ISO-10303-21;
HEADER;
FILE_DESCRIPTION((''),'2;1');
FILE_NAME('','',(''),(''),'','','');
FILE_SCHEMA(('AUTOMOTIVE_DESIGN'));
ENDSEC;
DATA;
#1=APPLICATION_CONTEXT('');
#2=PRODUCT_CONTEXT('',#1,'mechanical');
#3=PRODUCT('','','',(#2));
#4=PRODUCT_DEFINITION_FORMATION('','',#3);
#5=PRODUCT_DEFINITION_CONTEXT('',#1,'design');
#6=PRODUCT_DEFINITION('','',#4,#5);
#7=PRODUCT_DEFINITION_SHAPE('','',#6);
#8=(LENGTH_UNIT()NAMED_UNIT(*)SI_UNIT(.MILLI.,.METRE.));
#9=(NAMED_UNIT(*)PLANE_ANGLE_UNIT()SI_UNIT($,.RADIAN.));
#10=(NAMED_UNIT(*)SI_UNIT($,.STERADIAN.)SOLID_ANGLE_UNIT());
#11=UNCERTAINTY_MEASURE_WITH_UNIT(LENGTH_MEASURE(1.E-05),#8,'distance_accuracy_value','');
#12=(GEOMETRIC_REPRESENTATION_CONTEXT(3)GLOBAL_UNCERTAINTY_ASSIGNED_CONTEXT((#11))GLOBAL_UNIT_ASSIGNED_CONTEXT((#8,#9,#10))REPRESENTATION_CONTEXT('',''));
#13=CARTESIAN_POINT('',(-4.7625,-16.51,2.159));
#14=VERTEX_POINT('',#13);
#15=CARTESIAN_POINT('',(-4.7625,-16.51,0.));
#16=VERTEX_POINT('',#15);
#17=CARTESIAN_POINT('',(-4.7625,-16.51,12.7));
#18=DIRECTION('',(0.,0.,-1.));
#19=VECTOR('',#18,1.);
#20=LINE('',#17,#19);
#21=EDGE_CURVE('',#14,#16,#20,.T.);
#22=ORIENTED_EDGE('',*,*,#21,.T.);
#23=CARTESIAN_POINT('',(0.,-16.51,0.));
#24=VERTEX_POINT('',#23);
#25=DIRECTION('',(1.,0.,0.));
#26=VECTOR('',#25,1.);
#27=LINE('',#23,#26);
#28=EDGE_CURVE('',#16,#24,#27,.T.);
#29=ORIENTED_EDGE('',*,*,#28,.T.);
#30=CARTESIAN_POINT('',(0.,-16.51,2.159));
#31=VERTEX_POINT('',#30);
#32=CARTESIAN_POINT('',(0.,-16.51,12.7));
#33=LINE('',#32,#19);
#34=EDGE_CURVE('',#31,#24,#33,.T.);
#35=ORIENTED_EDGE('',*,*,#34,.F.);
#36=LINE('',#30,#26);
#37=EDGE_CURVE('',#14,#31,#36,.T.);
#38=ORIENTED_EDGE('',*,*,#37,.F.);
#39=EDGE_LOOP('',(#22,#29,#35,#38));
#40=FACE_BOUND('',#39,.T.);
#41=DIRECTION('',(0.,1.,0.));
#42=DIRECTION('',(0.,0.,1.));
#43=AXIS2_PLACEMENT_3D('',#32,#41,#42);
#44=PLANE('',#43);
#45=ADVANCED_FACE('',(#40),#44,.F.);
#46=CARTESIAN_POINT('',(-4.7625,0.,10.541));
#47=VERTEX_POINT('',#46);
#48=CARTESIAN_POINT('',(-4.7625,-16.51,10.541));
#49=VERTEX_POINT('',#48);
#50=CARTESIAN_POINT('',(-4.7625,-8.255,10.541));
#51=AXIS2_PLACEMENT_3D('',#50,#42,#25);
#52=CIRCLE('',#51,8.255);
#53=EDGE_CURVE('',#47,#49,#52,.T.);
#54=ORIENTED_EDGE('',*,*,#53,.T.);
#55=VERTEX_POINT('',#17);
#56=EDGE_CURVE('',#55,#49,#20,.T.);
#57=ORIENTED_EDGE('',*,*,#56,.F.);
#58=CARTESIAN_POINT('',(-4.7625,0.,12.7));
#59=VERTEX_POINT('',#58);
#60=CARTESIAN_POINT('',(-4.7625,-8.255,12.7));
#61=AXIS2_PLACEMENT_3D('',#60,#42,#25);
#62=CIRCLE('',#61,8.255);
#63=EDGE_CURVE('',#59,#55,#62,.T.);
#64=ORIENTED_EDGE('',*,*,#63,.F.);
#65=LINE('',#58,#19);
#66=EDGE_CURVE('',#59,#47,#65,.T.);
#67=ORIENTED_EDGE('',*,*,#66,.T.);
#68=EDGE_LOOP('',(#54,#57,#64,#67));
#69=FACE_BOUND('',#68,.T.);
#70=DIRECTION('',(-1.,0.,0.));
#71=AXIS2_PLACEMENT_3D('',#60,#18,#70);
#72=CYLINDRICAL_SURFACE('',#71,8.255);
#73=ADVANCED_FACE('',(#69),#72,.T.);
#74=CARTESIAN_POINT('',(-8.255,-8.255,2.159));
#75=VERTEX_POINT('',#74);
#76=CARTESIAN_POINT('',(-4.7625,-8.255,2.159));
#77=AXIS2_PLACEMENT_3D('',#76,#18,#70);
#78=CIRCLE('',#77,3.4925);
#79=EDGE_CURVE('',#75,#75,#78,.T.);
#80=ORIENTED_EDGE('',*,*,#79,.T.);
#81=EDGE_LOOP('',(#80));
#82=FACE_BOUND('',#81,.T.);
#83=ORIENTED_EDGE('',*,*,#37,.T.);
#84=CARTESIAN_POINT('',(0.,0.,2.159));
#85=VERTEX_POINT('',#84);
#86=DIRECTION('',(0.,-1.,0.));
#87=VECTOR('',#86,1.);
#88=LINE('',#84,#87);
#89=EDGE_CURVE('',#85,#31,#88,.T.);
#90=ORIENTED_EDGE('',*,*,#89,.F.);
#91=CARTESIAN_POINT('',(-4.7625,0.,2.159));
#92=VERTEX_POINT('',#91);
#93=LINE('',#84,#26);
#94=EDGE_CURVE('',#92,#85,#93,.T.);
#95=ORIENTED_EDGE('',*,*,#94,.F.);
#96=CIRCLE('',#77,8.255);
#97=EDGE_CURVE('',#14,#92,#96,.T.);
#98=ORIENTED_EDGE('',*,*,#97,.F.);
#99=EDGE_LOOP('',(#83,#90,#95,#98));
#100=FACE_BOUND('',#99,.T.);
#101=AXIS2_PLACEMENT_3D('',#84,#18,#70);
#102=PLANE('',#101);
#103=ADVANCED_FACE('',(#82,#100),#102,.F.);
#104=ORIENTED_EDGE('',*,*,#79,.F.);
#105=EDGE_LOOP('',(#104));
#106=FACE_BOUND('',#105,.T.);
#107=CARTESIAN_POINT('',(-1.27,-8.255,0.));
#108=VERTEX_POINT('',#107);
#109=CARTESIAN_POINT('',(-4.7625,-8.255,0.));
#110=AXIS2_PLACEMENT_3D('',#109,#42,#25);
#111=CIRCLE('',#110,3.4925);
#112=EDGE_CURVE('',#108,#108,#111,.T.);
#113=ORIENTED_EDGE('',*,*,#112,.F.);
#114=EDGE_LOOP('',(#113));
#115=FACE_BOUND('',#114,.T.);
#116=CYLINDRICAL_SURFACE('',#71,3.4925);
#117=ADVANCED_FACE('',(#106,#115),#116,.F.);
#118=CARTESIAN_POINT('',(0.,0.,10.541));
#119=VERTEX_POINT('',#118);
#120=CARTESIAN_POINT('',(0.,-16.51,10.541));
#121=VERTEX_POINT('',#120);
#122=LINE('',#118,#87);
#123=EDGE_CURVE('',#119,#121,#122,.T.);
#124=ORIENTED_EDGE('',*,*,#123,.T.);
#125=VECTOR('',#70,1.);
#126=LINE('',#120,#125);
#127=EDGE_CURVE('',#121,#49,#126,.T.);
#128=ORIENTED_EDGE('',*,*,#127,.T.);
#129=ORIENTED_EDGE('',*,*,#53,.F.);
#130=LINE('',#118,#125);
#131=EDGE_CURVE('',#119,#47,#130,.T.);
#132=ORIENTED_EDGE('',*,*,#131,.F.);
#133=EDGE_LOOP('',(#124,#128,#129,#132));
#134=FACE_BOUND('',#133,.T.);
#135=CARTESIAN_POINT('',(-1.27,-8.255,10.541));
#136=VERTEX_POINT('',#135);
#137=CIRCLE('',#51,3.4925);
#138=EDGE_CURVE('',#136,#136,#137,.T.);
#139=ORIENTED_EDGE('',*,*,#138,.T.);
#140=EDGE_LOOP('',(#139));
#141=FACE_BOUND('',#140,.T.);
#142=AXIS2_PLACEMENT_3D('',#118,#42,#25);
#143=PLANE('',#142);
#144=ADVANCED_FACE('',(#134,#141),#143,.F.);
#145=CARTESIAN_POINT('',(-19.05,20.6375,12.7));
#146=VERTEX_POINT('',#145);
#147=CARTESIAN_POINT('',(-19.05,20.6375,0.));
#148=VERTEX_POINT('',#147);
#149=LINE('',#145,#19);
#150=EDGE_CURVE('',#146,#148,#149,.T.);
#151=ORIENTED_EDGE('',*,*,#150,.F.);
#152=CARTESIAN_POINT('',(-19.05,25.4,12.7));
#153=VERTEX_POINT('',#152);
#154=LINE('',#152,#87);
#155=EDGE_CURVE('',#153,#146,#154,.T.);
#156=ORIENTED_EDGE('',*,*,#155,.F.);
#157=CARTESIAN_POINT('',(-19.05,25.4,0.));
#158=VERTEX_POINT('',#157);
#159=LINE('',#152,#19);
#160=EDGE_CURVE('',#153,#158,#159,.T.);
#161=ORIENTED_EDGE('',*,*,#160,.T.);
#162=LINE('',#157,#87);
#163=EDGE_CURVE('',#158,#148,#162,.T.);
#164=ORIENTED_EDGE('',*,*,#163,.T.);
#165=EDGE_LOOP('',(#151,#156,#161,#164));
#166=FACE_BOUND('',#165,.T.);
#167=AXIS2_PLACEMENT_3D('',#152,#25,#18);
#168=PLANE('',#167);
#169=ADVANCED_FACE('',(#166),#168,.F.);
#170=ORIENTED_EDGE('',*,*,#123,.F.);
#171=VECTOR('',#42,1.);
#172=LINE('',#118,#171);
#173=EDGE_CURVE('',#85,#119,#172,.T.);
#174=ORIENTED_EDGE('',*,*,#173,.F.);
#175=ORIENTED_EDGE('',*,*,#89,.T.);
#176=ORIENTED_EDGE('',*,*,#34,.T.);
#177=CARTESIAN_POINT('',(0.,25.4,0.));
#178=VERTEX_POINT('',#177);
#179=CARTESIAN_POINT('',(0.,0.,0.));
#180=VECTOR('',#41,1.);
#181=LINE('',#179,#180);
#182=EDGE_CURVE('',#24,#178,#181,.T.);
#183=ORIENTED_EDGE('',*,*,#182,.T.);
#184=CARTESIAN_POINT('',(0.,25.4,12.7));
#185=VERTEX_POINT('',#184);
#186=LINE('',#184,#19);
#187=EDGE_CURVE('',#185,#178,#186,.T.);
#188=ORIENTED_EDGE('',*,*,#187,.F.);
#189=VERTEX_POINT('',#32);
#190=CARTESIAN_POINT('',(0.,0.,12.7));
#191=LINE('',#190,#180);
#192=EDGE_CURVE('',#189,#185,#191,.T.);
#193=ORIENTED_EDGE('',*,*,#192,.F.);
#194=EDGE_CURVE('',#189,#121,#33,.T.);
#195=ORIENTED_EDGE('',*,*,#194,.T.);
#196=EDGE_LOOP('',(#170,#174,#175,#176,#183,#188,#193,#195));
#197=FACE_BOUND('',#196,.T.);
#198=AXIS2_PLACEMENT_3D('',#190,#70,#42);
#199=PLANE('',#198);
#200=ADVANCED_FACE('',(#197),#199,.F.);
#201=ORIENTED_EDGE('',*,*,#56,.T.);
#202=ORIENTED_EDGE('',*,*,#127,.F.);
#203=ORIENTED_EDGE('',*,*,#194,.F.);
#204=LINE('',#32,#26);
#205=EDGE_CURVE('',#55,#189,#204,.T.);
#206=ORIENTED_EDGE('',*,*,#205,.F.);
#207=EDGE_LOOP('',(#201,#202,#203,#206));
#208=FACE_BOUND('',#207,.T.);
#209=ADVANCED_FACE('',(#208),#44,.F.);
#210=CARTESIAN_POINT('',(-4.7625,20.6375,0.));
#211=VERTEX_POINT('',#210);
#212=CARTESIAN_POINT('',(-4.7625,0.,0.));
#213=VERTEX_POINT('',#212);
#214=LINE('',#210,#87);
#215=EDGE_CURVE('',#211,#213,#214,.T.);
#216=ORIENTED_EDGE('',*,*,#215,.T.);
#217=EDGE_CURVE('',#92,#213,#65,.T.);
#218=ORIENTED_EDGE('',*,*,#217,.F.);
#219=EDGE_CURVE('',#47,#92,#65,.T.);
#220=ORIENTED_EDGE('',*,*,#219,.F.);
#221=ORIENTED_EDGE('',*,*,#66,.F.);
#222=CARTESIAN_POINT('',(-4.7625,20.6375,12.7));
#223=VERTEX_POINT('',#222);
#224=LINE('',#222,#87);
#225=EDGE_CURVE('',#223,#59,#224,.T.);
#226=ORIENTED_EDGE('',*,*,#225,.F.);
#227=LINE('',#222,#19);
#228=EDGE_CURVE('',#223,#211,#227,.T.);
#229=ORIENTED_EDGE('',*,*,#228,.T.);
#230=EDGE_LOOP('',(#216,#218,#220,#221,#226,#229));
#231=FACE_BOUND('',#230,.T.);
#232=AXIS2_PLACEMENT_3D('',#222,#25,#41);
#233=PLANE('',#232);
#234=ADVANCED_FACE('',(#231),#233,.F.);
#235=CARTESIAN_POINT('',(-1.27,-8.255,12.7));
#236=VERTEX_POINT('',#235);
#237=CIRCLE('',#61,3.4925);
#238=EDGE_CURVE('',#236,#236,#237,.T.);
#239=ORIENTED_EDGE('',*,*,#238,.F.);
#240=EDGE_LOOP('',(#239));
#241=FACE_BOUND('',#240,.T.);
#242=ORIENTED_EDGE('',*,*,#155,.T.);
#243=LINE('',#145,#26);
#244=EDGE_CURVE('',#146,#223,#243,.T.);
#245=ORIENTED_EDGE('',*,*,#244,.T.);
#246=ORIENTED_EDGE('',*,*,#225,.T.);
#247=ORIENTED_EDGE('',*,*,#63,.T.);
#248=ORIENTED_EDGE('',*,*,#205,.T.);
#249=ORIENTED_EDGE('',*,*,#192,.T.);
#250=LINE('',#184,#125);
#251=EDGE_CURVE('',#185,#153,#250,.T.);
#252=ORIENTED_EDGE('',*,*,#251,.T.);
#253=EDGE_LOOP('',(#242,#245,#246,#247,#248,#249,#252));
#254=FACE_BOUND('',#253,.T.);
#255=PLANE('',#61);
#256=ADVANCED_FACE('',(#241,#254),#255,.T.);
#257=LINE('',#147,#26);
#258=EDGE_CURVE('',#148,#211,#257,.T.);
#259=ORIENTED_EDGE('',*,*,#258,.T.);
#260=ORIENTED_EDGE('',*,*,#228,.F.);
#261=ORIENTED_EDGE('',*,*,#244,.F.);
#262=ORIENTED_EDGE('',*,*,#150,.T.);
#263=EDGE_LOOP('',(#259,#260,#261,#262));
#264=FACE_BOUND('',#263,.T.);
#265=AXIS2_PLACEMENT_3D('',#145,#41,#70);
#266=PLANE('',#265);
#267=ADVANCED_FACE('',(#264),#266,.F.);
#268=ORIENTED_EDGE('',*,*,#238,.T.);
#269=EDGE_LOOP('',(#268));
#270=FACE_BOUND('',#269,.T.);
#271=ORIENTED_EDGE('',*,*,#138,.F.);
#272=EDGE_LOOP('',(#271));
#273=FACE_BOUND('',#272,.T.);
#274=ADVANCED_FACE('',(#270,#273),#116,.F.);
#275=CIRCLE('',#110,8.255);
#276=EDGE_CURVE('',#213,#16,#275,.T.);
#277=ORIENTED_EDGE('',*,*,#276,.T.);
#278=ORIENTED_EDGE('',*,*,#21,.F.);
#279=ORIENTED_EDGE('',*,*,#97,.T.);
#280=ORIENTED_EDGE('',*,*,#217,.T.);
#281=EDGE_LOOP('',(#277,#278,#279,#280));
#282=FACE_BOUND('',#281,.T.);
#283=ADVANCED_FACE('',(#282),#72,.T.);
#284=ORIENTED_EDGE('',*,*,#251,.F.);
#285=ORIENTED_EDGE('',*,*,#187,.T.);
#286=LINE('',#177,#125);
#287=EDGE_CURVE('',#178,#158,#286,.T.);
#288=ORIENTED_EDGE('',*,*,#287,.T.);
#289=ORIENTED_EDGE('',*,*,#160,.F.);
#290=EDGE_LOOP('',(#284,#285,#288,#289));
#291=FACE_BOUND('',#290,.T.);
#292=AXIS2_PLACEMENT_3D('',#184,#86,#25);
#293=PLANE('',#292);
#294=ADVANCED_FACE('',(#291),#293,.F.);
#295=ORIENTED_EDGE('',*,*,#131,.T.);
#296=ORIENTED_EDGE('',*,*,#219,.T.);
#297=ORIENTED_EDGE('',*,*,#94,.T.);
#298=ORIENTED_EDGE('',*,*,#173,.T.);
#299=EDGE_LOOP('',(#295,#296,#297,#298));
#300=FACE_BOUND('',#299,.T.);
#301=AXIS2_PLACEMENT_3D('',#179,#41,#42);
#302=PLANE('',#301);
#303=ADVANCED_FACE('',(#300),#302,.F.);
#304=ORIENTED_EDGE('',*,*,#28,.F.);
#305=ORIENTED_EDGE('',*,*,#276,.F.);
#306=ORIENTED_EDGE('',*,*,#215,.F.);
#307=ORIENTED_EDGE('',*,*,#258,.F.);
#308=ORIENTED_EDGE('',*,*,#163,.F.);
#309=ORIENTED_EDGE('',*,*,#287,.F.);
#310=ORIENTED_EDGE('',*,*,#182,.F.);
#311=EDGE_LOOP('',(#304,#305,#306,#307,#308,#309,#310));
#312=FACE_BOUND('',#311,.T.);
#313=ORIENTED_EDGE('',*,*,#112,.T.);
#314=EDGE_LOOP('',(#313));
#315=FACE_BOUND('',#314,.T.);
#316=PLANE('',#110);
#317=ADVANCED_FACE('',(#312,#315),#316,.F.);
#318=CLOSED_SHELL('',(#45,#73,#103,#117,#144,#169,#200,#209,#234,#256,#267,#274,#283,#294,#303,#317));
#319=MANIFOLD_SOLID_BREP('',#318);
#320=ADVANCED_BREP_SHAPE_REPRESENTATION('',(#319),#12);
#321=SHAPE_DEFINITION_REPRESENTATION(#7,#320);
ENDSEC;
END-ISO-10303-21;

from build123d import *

# Parameters (mm, degrees)
SKETCH1_R           = 3.4925
BOSS_EXTRUDE1_DEPTH = 12.7
SKETCH2_W           = 25.4
SKETCH2_H           = 8.382
CUT_EXTRUDE1_DEPTH  = 16.51


with BuildPart() as part:
    # Sketch1 → Boss-Extrude1 (new body)
    with BuildSketch(Plane.XY):
        with BuildLine():
            Line((0, 0), (0, 25.4))
            Line((0, 25.4), (-19.05, 25.4))
            Line((-19.05, 25.4), (-19.05, 20.6375))
            Line((-19.05, 20.6375), (-4.7625, 20.6375))
            Line((-4.7625, 20.6375), (-4.7625, 0))
            ThreePointArc((-4.7625, 0), (-13.0175, -8.255), (-4.7625, -16.51))
            Line((-4.7625, -16.51), (0, -16.51))
            Line((0, -16.51), (0, 0))
        make_face()
        with Locations((-4.7625, -8.255)):
            Circle(SKETCH1_R, mode=Mode.SUBTRACT)
    extrude(amount=BOSS_EXTRUDE1_DEPTH)

    # Sketch2 → Cut-Extrude1 (cut)
    with BuildSketch(Plane.XZ.offset(16.51)):
        with Locations((-12.7, 6.35)):
            Rectangle(SKETCH2_W, SKETCH2_H)
    extrude(amount=-CUT_EXTRUDE1_DEPTH, mode=Mode.SUBTRACT)


solid = part.part
